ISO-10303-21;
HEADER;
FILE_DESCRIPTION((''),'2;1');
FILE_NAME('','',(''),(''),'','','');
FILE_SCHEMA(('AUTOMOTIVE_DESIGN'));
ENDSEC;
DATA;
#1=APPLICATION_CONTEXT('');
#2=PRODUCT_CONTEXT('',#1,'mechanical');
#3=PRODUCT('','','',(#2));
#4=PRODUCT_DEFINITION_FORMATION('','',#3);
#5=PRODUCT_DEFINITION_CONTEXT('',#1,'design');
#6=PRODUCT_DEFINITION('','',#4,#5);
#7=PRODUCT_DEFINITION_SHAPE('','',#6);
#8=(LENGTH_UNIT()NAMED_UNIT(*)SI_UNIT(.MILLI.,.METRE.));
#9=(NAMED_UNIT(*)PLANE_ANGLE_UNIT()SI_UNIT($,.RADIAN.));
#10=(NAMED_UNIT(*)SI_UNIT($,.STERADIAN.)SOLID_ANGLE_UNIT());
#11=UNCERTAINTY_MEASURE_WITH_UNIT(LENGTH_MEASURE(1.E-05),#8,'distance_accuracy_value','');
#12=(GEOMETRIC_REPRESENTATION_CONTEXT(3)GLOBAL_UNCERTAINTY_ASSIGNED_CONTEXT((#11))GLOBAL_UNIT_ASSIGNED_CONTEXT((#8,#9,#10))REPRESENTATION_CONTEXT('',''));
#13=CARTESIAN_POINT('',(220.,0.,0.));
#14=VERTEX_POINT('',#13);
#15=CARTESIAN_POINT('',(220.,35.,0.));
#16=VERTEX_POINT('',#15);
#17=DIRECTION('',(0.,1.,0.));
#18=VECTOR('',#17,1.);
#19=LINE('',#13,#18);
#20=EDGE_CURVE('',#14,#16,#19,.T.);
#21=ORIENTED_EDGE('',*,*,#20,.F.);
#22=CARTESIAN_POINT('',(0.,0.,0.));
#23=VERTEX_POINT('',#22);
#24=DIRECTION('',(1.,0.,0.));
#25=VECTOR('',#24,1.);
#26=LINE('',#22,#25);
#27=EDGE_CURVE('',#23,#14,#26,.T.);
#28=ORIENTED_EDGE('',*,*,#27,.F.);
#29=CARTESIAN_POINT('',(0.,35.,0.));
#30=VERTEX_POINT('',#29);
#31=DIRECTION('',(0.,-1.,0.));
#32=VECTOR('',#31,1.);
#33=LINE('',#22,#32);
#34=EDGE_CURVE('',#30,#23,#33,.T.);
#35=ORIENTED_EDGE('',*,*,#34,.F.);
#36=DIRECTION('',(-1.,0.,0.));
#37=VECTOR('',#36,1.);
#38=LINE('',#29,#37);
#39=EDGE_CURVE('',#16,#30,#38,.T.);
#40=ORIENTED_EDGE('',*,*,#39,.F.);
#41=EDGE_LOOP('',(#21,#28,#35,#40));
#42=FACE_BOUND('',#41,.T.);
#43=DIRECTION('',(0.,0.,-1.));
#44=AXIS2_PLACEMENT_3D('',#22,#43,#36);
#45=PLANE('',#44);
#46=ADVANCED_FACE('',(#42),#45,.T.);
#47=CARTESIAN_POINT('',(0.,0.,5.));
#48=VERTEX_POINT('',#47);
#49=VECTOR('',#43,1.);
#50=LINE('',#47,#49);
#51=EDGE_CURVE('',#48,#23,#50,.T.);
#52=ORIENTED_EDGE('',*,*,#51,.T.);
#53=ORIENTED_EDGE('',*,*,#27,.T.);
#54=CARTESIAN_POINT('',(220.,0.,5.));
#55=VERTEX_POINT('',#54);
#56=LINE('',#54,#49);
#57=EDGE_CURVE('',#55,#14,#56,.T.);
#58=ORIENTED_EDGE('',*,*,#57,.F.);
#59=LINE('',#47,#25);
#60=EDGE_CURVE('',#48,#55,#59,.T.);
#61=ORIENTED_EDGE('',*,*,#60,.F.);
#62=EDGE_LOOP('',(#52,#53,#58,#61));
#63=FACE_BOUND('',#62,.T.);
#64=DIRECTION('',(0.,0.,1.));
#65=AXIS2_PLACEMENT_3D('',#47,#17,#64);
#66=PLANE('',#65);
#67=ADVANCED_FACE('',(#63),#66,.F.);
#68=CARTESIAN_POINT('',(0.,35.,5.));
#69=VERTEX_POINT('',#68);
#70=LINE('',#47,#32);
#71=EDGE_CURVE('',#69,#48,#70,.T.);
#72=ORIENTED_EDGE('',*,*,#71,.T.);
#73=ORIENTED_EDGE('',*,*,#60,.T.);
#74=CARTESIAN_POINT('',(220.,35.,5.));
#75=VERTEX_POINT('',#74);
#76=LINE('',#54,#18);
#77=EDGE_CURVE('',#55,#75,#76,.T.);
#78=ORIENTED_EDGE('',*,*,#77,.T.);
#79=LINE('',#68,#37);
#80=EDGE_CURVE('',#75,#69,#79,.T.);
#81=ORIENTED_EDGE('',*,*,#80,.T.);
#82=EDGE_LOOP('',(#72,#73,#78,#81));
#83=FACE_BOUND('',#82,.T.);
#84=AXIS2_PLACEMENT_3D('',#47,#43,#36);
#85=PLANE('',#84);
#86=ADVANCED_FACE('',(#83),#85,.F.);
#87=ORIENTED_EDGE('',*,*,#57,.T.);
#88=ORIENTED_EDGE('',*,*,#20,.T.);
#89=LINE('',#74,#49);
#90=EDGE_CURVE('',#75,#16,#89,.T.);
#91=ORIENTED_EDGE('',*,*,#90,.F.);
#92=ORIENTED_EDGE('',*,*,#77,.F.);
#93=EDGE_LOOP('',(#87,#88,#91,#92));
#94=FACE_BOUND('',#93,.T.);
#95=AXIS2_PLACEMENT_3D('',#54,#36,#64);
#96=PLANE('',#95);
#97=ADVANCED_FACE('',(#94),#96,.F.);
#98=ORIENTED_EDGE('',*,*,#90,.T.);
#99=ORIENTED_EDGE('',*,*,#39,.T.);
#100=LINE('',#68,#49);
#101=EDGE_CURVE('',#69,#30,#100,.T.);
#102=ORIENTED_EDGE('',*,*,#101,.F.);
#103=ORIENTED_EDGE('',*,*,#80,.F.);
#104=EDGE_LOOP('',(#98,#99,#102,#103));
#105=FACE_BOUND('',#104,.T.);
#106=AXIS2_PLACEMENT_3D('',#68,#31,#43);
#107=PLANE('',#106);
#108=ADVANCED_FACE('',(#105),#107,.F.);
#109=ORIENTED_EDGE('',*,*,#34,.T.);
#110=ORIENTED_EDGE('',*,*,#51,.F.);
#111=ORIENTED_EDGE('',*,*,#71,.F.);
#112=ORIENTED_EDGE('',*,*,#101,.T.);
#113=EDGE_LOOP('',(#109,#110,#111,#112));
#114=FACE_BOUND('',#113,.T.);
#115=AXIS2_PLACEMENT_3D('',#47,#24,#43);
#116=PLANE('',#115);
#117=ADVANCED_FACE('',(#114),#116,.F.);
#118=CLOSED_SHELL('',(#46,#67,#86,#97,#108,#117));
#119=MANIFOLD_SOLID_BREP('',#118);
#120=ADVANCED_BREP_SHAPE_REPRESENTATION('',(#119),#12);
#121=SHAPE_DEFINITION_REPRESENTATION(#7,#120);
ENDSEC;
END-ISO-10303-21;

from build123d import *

# Parameters (mm, degrees)
CROQUIS1_W              = 220
CROQUIS1_H              = 35
SALIENTE_EXTRUIR1_DEPTH = 5


with BuildPart() as part:
    # Croquis1 → Saliente-Extruir1 (new body)
    with BuildSketch(Plane.XY):
        with Locations((110, 17.5)):
            Rectangle(CROQUIS1_W, CROQUIS1_H)
    extrude(amount=SALIENTE_EXTRUIR1_DEPTH)


solid = part.part
